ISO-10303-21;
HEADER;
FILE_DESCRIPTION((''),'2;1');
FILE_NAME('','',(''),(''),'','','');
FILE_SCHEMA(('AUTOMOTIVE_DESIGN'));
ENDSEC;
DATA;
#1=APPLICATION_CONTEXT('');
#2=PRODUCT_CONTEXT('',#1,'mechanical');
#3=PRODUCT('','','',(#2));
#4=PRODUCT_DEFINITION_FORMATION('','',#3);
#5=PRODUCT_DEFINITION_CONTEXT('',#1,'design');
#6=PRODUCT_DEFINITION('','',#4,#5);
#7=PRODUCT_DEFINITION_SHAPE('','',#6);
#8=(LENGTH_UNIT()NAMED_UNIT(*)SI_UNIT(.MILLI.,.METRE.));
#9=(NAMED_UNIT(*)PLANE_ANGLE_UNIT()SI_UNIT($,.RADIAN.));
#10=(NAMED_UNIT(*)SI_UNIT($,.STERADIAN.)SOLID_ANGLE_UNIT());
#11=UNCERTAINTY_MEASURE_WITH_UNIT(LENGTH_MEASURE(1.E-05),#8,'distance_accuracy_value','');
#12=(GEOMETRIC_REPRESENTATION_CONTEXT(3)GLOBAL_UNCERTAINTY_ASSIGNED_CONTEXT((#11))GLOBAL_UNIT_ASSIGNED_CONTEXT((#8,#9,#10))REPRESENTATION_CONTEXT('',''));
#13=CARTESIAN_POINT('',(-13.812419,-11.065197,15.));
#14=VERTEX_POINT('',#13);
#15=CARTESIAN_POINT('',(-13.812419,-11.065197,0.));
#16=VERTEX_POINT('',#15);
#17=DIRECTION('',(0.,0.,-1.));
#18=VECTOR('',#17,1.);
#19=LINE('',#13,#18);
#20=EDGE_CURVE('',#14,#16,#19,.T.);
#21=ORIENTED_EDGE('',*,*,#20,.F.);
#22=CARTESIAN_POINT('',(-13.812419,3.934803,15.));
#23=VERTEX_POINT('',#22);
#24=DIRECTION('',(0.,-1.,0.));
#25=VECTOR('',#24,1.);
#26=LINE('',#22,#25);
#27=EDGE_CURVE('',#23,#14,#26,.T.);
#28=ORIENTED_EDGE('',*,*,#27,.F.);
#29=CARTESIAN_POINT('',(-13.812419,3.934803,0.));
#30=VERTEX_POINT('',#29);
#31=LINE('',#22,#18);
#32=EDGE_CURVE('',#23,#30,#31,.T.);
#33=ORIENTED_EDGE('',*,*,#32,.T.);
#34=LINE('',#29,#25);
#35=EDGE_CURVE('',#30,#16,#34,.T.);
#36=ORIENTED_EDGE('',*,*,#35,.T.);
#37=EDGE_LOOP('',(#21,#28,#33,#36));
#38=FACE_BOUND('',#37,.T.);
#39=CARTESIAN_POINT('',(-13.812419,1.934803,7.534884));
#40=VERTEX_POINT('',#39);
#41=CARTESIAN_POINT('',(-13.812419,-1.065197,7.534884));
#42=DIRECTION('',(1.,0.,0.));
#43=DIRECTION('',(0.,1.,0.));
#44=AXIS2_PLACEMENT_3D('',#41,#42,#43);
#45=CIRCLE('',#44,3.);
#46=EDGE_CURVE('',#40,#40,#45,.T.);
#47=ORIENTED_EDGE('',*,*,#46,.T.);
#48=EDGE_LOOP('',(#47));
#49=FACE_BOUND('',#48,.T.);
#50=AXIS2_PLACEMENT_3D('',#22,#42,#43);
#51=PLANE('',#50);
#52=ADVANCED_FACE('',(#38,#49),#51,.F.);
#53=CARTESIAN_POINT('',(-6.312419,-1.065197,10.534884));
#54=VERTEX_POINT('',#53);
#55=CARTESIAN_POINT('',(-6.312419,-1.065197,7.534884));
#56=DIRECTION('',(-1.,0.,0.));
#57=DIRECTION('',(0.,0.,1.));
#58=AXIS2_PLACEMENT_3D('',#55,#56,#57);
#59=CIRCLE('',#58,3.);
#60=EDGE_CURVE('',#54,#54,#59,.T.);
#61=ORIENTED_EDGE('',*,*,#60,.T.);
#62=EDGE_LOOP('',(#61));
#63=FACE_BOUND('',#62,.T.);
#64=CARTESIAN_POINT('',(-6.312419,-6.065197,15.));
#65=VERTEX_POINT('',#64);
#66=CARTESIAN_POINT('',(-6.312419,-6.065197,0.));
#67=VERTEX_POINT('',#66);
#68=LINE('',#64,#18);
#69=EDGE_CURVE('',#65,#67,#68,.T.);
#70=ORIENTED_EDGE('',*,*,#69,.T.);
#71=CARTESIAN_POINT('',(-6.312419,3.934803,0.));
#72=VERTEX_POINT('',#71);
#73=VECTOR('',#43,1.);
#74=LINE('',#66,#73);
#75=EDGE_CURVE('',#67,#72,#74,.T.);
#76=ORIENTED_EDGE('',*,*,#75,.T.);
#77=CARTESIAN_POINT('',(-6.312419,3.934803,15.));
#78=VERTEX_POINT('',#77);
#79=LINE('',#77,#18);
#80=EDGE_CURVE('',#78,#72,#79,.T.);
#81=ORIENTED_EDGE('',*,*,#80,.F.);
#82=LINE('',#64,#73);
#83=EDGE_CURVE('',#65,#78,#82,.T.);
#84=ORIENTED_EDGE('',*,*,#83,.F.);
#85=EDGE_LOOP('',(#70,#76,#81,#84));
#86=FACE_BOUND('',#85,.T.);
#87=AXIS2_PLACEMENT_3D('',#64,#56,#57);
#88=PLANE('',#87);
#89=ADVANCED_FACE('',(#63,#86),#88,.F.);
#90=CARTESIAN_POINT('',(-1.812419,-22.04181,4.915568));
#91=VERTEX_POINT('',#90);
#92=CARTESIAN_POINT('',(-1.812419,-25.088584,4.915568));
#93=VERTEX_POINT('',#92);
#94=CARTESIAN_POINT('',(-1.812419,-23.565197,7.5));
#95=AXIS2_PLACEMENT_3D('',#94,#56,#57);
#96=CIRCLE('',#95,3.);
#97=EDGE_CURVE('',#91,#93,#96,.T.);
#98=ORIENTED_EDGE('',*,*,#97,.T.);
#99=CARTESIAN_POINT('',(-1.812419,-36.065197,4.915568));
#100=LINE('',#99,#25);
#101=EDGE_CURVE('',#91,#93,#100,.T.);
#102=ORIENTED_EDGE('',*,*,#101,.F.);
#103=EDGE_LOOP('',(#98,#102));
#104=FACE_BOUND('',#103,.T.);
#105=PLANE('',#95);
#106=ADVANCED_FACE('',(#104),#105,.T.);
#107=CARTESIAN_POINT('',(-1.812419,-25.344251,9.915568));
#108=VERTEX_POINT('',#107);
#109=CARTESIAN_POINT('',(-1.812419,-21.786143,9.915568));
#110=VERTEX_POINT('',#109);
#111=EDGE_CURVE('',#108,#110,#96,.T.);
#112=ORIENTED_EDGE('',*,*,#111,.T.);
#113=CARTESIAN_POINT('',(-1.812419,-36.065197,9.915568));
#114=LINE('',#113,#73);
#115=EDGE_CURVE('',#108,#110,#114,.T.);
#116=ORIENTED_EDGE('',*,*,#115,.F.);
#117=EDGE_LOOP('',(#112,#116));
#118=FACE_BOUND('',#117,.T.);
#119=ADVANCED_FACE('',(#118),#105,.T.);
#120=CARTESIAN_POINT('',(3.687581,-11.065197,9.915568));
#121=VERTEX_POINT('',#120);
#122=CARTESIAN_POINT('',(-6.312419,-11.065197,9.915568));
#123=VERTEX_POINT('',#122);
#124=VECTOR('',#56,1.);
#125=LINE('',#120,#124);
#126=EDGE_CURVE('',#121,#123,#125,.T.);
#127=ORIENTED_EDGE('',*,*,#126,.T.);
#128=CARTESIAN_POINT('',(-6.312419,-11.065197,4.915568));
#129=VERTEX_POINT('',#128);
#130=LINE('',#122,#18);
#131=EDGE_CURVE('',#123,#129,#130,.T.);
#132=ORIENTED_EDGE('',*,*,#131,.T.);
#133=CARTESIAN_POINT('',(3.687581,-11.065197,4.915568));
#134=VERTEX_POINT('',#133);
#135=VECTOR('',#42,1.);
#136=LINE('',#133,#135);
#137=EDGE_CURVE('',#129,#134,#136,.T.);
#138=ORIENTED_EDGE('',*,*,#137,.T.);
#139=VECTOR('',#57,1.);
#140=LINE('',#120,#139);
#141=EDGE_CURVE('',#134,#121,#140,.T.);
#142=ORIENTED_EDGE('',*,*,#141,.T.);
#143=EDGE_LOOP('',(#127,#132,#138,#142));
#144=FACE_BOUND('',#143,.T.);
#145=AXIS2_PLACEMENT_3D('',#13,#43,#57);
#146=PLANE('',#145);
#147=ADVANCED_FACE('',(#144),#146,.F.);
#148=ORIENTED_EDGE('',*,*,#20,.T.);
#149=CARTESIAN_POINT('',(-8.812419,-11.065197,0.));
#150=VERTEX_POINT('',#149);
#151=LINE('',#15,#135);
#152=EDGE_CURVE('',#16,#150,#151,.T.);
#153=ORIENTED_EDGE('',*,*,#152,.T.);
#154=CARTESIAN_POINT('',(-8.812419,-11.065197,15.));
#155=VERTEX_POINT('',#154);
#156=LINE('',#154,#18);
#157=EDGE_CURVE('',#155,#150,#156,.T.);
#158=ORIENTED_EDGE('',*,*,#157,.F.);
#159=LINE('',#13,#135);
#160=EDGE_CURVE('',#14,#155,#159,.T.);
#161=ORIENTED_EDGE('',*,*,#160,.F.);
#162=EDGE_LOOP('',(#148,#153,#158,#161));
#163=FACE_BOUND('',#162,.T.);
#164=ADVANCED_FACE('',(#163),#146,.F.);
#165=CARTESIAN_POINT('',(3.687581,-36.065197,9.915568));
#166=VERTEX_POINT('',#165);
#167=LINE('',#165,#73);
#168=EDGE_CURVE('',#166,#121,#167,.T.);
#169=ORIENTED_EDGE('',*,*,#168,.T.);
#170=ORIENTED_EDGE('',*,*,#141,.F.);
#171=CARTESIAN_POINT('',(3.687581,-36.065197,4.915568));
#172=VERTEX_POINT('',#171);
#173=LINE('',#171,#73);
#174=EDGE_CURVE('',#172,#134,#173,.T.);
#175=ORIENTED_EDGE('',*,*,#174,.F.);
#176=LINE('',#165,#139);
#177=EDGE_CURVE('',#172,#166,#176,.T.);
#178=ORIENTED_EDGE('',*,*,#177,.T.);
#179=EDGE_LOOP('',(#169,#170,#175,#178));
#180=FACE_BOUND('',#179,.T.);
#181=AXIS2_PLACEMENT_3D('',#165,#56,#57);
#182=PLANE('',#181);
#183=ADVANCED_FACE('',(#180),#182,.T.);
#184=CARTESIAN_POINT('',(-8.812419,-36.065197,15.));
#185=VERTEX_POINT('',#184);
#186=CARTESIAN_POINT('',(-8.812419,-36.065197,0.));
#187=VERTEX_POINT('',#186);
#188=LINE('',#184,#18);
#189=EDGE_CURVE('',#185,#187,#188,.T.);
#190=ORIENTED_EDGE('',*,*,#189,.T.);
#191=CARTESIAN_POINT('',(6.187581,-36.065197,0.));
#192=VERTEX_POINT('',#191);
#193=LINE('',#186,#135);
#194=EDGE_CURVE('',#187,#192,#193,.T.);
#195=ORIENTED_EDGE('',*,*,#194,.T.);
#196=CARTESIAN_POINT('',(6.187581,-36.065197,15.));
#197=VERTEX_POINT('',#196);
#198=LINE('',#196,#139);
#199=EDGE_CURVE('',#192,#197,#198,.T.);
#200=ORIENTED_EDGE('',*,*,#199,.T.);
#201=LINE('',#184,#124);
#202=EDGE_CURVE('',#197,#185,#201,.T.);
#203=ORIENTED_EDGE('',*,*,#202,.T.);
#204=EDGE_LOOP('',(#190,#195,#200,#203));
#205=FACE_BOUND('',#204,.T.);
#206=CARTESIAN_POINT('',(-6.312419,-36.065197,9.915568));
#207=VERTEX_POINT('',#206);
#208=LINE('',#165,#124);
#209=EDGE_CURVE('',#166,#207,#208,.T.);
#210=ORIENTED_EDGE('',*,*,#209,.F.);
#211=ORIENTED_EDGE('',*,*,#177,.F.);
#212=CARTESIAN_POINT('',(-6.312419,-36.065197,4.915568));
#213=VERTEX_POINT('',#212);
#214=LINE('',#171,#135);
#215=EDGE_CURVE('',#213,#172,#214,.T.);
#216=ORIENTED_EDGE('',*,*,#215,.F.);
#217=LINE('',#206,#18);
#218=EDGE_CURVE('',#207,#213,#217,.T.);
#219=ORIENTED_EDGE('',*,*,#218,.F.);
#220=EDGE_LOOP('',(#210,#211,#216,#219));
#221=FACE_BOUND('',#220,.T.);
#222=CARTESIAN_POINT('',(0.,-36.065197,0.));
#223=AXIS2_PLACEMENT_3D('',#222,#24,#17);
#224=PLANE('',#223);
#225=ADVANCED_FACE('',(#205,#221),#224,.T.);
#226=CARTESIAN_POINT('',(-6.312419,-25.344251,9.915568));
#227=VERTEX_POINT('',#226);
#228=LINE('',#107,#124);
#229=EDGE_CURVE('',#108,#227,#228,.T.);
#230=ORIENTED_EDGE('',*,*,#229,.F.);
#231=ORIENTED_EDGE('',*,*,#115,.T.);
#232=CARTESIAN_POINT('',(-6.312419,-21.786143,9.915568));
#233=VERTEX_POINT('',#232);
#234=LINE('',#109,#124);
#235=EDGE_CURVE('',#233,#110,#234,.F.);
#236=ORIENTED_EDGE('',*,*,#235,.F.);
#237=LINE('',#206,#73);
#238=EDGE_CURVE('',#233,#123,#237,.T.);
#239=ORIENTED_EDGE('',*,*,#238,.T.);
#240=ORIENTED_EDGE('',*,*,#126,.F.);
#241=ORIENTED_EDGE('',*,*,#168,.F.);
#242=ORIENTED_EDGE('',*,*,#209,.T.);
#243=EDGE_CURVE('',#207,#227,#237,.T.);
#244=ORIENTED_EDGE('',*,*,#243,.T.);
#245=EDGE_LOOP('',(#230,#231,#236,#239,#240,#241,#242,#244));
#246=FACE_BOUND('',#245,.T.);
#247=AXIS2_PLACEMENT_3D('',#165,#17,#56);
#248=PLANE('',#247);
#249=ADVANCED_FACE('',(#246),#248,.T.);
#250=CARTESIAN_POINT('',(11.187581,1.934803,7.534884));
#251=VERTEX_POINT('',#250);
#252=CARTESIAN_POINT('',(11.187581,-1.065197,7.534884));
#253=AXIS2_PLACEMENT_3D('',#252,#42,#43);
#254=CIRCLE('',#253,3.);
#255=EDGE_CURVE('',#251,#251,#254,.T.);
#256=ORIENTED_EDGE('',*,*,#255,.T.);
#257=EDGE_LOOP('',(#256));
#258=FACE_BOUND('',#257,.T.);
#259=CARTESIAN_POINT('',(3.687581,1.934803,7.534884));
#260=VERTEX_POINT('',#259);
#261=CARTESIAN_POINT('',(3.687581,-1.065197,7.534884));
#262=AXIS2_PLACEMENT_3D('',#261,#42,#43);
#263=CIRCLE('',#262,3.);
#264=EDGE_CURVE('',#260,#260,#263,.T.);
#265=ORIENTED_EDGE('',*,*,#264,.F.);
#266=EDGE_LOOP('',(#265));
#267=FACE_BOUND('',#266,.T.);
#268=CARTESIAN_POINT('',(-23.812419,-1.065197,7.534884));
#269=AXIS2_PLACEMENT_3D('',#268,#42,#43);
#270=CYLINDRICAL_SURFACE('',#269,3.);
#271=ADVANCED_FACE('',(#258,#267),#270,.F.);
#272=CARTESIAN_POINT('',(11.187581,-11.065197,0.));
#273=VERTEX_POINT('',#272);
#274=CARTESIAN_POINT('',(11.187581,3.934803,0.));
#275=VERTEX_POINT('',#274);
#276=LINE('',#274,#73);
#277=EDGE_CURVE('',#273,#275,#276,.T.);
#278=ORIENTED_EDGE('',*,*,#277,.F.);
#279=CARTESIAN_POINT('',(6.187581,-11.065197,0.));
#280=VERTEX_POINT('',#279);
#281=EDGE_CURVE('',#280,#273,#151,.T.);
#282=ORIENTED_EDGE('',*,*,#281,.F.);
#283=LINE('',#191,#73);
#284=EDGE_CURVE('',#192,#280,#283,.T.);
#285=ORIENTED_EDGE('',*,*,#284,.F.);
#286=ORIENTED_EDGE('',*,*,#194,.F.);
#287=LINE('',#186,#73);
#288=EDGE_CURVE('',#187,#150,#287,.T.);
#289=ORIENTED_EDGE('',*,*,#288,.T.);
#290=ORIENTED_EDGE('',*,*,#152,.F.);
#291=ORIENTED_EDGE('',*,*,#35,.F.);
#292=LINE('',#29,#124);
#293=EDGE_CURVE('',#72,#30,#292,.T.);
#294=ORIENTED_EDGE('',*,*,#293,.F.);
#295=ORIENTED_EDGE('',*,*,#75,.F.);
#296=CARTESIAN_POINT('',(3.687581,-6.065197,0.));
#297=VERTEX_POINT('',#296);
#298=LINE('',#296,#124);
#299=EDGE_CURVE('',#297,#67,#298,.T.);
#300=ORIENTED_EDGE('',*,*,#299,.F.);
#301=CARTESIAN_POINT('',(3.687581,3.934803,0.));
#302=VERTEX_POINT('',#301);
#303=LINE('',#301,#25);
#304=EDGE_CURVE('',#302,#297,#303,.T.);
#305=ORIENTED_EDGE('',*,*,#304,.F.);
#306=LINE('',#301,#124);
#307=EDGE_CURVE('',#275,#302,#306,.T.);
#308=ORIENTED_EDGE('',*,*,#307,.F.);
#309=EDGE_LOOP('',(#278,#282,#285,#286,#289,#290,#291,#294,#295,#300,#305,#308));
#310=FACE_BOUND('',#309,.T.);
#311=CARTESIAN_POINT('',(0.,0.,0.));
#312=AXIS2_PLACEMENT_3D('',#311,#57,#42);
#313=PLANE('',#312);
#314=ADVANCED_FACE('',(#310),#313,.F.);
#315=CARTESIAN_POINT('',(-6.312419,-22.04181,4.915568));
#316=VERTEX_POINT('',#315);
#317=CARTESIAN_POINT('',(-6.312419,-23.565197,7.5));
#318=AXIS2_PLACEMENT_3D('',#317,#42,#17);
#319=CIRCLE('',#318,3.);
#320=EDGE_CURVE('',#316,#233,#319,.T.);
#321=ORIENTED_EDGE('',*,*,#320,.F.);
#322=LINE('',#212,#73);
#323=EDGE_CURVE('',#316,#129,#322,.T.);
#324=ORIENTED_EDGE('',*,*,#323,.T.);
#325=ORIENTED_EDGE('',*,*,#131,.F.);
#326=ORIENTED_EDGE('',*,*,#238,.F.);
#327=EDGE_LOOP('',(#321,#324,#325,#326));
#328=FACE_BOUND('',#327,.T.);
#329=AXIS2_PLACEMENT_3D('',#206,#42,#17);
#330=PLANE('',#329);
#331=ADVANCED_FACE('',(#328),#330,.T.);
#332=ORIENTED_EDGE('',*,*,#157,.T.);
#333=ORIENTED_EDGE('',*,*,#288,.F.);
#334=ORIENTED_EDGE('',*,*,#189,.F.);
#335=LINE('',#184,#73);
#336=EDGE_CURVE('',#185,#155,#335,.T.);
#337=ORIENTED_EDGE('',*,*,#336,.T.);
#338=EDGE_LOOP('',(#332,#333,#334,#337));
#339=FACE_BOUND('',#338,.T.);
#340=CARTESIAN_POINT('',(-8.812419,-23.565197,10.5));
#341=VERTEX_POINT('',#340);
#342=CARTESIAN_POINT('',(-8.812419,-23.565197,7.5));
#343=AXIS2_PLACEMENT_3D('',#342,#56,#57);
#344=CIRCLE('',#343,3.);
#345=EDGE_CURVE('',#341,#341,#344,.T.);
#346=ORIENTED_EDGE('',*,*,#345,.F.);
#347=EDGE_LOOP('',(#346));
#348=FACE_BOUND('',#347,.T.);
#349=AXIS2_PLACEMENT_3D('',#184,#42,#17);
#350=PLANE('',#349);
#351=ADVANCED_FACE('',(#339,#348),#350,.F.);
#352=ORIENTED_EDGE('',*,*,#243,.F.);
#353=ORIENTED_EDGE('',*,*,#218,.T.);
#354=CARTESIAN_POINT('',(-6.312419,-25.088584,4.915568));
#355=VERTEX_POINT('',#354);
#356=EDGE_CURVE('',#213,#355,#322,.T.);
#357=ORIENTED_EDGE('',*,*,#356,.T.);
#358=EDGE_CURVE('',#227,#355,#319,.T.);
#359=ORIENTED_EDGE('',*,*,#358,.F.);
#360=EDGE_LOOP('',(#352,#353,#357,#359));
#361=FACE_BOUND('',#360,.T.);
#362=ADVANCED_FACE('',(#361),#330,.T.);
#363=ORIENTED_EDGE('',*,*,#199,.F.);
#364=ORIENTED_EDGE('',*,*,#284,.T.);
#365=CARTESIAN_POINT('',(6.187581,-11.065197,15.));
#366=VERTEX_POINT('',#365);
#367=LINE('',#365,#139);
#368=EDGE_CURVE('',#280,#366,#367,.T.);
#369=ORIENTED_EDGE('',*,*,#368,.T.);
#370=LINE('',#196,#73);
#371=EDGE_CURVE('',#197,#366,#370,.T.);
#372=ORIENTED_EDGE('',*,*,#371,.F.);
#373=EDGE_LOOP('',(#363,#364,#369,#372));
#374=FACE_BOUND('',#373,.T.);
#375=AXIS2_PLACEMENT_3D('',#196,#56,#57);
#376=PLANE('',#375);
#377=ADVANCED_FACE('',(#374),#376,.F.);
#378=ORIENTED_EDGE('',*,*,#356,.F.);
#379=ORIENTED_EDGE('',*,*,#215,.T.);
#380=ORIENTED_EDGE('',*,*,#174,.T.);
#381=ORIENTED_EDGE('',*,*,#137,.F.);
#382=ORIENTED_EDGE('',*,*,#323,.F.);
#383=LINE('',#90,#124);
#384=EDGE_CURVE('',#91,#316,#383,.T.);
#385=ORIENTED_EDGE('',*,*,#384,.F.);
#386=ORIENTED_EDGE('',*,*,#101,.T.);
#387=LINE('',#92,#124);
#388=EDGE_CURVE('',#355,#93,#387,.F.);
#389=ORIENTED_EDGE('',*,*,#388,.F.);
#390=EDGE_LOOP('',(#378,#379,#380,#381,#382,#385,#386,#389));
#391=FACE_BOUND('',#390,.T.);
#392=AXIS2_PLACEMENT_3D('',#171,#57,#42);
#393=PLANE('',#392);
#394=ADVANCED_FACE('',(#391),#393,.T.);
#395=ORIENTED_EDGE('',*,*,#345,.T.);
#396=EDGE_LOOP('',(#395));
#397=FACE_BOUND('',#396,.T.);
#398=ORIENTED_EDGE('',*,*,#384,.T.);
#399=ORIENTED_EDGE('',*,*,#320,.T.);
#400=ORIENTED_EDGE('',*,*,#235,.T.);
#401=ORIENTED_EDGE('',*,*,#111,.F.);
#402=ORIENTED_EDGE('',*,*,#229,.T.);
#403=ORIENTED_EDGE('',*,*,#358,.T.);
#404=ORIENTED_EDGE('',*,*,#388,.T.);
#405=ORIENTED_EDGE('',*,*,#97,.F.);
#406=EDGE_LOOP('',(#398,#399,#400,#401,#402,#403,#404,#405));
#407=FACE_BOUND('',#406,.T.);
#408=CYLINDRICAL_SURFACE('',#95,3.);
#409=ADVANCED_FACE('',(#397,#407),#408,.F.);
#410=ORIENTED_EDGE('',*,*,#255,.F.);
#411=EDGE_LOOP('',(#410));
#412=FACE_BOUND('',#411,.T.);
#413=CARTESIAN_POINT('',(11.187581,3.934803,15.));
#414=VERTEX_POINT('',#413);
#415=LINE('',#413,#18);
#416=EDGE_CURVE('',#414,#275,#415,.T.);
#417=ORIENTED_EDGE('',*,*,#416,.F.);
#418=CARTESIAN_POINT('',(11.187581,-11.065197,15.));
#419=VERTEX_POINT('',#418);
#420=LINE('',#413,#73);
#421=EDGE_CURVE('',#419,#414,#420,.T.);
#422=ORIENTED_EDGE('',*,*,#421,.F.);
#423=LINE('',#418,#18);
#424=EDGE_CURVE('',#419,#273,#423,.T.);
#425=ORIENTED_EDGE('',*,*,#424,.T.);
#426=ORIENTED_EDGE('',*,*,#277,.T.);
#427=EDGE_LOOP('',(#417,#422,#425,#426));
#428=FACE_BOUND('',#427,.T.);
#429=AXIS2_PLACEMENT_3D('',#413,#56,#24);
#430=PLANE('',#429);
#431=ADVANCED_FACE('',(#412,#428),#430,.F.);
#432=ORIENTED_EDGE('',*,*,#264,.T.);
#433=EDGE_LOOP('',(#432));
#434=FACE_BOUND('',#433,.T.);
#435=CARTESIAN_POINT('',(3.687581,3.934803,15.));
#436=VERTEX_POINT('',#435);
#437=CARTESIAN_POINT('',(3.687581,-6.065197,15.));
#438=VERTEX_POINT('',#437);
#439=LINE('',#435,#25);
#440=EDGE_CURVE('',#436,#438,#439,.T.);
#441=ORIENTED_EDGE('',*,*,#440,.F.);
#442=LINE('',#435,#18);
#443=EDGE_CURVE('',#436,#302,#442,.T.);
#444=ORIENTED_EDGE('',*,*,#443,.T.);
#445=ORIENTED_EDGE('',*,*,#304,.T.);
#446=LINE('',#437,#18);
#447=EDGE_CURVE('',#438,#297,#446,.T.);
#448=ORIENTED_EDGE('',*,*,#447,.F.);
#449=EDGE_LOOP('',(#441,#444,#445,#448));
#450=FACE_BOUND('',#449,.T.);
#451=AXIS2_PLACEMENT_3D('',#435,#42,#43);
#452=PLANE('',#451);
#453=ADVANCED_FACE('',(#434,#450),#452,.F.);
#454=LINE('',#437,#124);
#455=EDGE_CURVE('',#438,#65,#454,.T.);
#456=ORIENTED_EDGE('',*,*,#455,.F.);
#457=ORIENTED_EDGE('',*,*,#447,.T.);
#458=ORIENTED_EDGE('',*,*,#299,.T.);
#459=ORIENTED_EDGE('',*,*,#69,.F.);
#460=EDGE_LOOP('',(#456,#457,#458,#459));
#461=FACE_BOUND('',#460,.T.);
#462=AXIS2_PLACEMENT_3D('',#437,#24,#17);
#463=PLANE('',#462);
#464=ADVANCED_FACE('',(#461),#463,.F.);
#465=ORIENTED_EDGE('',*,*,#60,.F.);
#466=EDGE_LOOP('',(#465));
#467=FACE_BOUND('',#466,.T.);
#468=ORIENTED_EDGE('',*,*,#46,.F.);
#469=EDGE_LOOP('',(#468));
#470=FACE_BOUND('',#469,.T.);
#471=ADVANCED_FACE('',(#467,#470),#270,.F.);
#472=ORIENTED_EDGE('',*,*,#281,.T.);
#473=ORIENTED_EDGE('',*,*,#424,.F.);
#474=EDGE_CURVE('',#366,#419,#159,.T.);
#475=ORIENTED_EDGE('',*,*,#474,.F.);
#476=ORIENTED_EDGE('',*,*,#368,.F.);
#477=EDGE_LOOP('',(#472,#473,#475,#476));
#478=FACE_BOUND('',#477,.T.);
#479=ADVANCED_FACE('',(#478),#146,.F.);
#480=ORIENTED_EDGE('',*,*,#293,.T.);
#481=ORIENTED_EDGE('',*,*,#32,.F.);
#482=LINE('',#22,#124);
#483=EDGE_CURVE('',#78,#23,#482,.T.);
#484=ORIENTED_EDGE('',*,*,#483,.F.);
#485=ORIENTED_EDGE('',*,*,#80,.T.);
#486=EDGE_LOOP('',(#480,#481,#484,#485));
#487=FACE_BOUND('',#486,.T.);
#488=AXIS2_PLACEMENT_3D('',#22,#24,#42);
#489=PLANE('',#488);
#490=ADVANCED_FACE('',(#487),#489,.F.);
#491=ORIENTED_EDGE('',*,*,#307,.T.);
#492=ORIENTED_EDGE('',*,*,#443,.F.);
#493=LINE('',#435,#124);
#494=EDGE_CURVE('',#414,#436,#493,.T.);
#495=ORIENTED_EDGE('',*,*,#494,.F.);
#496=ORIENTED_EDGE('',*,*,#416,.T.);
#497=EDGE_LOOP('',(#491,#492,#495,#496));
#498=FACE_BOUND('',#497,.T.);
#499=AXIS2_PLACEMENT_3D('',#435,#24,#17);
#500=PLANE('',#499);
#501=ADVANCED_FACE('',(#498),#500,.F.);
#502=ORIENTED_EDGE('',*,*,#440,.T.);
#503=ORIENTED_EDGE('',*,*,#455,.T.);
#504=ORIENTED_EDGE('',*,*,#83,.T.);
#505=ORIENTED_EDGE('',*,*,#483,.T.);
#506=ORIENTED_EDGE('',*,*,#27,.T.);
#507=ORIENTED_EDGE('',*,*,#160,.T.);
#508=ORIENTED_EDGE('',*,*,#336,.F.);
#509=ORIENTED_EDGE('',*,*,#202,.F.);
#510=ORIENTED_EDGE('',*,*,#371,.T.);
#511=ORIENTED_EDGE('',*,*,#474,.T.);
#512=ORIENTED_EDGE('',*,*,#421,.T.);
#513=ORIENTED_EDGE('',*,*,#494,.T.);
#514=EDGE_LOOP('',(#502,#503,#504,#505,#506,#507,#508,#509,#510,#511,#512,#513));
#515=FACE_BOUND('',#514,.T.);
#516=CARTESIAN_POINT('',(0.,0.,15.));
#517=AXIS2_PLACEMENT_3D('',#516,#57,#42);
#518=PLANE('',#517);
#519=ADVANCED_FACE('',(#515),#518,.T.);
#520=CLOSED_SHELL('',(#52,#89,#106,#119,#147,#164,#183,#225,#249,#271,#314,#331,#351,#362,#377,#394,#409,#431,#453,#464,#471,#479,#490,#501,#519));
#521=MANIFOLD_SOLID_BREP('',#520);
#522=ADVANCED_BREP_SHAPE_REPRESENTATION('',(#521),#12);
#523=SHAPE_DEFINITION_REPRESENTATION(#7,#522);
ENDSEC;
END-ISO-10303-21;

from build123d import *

# Parameters (mm, degrees)
BOSS_EXTRUDE1_DEPTH = 15
SKETCH2_R           = 3
CUT_EXTRUDE1_DEPTH  = 35
SKETCH3_W           = 15
SKETCH3_H           = 15
SKETCH3_W_2         = 10
SKETCH3_H_2         = 5
BOSS_EXTRUDE2_DEPTH = 25
SKETCH5_R           = 3
CUT_EXTRUDE3_DEPTH  = 7


with BuildPart() as part:
    # Sketch1 → Boss-Extrude1 (new body)
    with BuildSketch(Plane.XY):
        Polygon((3.687581296, 3.934802907), (3.687581296, -6.065197093), (-6.312418704, -6.065197093), (-6.312418704, 3.934802907), (-13.812418704, 3.934802907), (-13.812418704, -11.065197093), (11.187581296, -11.065197093), (11.187581296, 3.934802907), align=None)
    extrude(amount=BOSS_EXTRUDE1_DEPTH)

    # Sketch2 → Cut-Extrude1 (cut)
    with BuildSketch(Plane(origin=(11.187581296, 0, 0), x_dir=(0, 0, -1), z_dir=(1, 0, 0))):
        with Locations(Location((-7.534884308, -1.065197093, 0), (0, 0, 90))):
            Circle(SKETCH2_R)
    extrude(amount=-CUT_EXTRUDE1_DEPTH, mode=Mode.SUBTRACT)

    # Sketch3 → Boss-Extrude2 (add)
    with BuildSketch(Plane.XZ.offset(11.065197093)):
        with Locations((-1.312418704, 7.5)):
            Rectangle(SKETCH3_W, SKETCH3_H)
        with Locations((-1.312418704, 7.415567581)):
            Rectangle(SKETCH3_W_2, SKETCH3_H_2, mode=Mode.SUBTRACT)
    extrude(amount=BOSS_EXTRUDE2_DEPTH)

    # Sketch5 → Cut-Extrude3 (cut)
    with BuildSketch(Plane.ZY.offset(8.812418704)):
        with Locations((7.5, -23.565197093)):
            Circle(SKETCH5_R)
    extrude(amount=-CUT_EXTRUDE3_DEPTH, mode=Mode.SUBTRACT)


solid = part.part
